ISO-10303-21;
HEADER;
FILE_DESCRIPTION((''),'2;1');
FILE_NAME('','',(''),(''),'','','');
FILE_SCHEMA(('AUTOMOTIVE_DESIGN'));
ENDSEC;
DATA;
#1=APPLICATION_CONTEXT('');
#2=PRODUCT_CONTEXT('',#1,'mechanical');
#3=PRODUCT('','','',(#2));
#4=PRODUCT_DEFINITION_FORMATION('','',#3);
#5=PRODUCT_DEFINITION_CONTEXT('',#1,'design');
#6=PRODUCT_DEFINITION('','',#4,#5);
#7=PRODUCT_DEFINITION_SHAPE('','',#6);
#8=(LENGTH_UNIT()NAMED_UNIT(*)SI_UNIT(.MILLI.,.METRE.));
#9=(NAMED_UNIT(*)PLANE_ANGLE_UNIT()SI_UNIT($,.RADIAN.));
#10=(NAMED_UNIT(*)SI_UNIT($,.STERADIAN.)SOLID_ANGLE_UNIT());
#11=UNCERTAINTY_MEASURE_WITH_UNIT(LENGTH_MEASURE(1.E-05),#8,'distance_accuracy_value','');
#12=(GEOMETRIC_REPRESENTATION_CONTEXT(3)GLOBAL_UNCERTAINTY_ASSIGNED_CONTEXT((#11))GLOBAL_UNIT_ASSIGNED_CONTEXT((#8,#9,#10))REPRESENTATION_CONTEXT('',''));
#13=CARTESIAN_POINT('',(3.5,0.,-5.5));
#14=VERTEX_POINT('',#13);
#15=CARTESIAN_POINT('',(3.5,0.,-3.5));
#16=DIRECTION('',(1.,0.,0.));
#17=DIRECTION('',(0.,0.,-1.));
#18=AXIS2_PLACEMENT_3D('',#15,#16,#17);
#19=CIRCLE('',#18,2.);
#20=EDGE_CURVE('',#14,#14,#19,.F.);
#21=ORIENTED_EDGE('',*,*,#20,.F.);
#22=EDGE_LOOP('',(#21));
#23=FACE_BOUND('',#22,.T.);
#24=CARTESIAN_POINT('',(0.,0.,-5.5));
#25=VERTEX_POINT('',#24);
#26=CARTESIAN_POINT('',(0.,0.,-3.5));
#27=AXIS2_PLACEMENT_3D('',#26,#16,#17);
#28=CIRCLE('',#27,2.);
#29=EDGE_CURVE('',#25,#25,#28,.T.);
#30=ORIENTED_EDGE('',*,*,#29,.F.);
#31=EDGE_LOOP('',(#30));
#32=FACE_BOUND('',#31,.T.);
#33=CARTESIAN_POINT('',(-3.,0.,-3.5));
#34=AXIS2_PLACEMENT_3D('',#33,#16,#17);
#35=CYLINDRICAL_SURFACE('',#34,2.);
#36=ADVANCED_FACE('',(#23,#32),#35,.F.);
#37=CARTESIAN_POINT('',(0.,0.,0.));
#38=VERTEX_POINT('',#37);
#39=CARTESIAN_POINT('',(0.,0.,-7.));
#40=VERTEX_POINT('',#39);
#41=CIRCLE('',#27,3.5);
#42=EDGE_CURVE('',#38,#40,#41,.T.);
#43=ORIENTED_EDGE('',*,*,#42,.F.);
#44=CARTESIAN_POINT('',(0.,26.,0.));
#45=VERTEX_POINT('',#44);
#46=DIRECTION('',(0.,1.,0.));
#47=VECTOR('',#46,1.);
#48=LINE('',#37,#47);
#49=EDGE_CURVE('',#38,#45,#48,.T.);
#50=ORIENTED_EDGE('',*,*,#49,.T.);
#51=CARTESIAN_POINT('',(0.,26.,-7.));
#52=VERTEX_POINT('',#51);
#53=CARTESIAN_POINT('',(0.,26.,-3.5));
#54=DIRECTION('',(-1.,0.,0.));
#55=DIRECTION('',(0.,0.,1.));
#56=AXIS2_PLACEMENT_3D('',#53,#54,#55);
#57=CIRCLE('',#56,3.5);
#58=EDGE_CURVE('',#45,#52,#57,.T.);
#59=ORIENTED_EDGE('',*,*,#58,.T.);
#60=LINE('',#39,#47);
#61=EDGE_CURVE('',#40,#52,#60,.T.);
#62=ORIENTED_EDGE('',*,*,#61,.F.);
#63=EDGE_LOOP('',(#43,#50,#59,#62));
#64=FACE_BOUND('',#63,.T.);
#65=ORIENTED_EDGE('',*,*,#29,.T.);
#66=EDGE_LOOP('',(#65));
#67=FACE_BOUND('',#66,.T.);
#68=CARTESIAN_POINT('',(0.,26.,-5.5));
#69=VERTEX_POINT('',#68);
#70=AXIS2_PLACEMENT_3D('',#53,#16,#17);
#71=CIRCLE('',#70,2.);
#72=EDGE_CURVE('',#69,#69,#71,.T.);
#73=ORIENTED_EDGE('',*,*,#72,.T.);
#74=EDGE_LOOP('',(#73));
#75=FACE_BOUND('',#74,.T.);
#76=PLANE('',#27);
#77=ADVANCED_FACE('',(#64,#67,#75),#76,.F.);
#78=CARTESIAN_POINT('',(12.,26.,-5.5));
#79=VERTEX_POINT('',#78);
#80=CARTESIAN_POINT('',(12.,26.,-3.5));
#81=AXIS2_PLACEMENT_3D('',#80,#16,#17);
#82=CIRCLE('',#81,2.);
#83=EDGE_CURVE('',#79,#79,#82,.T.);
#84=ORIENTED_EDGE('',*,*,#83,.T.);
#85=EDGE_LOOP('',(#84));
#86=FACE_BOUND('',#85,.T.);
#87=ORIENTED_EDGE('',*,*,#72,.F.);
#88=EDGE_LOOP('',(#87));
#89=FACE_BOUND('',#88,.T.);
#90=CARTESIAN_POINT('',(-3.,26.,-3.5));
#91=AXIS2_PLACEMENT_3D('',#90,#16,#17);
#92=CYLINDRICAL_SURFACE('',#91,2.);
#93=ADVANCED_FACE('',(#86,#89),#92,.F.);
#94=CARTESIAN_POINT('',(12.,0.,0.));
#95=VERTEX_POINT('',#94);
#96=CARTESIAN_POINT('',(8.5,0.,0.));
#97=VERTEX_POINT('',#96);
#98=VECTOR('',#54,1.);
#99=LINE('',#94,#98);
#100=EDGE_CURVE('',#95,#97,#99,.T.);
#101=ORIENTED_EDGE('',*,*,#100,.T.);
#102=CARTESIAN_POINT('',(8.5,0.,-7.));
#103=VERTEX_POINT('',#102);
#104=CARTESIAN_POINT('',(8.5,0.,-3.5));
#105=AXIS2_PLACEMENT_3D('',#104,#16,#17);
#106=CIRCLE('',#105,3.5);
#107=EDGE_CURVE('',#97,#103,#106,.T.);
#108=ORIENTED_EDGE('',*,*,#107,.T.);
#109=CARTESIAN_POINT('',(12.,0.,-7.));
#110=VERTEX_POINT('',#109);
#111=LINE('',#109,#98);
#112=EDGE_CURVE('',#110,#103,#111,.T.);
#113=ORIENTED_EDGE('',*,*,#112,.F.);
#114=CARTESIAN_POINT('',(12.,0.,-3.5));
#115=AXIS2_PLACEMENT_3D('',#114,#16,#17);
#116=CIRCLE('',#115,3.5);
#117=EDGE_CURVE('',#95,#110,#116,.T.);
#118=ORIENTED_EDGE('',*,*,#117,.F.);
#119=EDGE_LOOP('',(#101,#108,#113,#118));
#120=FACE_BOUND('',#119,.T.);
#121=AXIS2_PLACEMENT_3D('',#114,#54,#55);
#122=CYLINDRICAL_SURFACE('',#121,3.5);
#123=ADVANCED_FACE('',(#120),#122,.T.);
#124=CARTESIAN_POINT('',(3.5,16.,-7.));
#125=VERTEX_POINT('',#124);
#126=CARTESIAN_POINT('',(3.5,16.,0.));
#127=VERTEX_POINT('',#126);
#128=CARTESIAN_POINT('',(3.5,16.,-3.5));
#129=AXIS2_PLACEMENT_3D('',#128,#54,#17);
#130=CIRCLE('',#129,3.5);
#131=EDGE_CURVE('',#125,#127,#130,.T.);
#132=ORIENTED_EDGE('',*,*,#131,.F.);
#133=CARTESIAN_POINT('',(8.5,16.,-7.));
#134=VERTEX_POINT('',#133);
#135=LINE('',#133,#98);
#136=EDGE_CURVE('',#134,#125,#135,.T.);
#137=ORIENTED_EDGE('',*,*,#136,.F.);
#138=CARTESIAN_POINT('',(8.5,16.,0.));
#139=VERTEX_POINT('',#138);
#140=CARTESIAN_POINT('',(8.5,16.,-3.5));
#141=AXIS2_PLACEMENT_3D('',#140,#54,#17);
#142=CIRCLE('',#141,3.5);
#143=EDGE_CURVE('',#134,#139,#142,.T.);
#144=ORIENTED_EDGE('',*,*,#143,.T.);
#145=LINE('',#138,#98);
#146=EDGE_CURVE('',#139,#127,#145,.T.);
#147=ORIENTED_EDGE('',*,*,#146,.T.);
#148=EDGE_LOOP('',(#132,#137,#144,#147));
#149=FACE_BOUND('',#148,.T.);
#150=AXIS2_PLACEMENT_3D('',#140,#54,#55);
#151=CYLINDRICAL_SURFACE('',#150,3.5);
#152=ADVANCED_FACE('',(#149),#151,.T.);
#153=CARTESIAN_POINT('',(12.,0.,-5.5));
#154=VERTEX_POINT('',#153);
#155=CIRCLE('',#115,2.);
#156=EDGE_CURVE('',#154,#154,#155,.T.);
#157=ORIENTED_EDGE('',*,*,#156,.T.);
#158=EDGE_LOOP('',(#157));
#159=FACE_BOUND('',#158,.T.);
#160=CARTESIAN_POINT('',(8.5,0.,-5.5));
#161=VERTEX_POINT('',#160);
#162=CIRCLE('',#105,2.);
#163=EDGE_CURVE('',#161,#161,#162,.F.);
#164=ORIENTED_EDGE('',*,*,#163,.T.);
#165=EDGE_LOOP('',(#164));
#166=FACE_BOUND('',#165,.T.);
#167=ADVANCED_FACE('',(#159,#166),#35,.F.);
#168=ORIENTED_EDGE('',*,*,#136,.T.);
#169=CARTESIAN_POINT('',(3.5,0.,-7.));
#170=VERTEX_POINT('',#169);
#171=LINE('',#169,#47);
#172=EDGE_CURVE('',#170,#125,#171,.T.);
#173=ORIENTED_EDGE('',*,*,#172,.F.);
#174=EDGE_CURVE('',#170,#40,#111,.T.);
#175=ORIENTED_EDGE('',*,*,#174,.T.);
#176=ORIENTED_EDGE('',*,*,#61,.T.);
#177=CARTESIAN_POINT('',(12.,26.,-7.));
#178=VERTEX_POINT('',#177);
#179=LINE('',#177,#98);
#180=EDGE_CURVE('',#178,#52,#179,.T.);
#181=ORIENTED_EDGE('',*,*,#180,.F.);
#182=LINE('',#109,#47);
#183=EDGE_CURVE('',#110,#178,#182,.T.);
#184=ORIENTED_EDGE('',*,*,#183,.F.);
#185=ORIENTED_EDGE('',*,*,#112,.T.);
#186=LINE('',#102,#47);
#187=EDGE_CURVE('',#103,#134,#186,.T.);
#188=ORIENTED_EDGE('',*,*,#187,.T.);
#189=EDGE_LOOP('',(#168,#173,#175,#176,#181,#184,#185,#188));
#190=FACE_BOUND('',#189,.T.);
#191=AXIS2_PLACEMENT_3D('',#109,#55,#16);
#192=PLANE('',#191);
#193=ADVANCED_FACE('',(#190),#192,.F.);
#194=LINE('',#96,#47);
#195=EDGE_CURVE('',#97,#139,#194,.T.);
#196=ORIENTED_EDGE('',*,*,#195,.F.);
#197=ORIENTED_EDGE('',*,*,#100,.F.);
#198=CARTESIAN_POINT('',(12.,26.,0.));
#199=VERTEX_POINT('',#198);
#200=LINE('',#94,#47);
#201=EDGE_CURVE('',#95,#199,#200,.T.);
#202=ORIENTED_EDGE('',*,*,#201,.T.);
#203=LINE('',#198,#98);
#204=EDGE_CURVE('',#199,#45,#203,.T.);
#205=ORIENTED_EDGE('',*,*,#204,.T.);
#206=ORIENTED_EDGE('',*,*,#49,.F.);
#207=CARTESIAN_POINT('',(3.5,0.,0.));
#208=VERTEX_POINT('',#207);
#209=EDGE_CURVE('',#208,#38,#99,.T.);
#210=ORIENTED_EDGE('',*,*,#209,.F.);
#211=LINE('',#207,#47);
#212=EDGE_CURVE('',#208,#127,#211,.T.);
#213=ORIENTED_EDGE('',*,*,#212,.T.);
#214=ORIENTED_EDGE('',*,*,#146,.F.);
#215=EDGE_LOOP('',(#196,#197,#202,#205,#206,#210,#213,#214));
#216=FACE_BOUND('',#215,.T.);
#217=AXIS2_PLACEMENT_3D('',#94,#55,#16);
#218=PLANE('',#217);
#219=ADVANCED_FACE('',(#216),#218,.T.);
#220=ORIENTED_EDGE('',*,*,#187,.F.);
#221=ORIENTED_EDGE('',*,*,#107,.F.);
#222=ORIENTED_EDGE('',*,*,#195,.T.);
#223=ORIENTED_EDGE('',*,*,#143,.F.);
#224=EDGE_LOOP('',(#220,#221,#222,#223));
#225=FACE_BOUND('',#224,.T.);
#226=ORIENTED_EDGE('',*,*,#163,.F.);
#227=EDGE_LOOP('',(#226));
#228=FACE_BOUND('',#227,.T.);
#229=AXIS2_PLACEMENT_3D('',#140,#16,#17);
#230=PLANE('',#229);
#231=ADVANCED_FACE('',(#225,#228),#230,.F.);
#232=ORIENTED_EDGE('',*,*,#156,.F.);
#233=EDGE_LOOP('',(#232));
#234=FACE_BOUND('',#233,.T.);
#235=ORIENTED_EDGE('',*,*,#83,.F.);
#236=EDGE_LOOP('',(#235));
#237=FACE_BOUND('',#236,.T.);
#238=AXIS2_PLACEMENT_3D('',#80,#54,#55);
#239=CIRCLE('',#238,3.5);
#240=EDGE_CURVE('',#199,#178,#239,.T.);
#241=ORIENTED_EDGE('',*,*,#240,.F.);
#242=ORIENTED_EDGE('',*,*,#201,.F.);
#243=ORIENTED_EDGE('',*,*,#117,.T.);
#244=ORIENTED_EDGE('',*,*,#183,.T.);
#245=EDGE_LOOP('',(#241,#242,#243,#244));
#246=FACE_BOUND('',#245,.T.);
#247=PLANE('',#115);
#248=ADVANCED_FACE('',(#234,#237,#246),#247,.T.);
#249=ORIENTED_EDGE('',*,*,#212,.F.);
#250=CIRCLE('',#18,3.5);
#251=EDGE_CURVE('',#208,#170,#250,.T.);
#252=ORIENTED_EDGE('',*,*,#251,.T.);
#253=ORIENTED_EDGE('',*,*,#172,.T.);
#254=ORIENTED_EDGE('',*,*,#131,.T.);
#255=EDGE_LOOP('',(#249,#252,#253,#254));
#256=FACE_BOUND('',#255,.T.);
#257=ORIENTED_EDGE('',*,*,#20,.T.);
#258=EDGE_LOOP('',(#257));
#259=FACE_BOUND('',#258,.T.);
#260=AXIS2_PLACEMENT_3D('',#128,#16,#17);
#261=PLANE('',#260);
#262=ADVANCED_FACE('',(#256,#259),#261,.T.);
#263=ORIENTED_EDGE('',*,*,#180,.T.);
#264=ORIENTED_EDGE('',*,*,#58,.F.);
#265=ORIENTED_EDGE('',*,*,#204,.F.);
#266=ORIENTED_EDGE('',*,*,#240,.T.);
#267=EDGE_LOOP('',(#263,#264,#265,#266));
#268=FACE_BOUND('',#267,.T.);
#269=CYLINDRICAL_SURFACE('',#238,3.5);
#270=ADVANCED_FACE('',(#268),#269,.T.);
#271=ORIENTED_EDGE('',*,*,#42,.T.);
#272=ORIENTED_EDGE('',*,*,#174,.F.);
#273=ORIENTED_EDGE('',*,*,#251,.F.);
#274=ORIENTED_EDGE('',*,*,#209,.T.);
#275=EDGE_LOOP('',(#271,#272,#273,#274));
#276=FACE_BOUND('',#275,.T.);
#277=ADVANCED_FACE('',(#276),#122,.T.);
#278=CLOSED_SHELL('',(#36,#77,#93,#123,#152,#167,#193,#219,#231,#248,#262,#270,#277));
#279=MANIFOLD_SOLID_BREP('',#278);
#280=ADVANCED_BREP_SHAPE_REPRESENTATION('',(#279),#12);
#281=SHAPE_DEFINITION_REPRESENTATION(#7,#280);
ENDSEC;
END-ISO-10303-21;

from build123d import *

# Parameters (mm, degrees)
EXTRUDE_1_DEPTH     = 12
SKETCH_2_R          = 2
CUT_EXTRUDE_2_DEPTH = 15
CUT_EXTRUDE_3_DEPTH = 5


with BuildPart() as part:
    # Эскиз1 → Бобышка-Вытянуть1 (new body)
    with BuildSketch(Plane(origin=(0, 0, 0), x_dir=(0, 0, -1), z_dir=(1, 0, 0))):
        with BuildLine():
            Line((0, 0), (0, 26))
            ThreePointArc((0, 26), (3.5, 29.5), (7, 26))
            Line((7, 26), (7, 0))
            ThreePointArc((7, 0), (3.5, -3.5), (0, 0))
        make_face()
    extrude(amount=EXTRUDE_1_DEPTH)

    # Эскиз2 → Вырез-Вытянуть2 (cut)
    with BuildSketch(Plane(origin=(12, 0, 0), x_dir=(0, 0, -1), z_dir=(1, 0, 0))):
        with Locations((3.5, 0)):
            Circle(SKETCH_2_R)
        with Locations((3.5, 26)):
            Circle(SKETCH_2_R)
    extrude(amount=-CUT_EXTRUDE_2_DEPTH, mode=Mode.SUBTRACT)

    # Эскиз3 → Вырез-Вытянуть3 (cut)
    with BuildSketch(Plane(origin=(3.5, 0, 0), x_dir=(0, 0, -1), z_dir=(1, 0, 0))):
        with BuildLine():
            Line((0, 16), (-8.33598626, 16))
            Line((-8.33598626, 16), (-8.33598626, -12.274921498))
            Line((-8.33598626, -12.274921498), (16.66401374, -12.274921498))
            Line((16.66401374, -12.274921498), (16.66401374, 16))
            Line((16.66401374, 16), (7, 16))
            ThreePointArc((7, 16), (3.5, 12.5), (0, 16))
        make_face()
    extrude(amount=CUT_EXTRUDE_3_DEPTH, mode=Mode.SUBTRACT)


solid = part.part
